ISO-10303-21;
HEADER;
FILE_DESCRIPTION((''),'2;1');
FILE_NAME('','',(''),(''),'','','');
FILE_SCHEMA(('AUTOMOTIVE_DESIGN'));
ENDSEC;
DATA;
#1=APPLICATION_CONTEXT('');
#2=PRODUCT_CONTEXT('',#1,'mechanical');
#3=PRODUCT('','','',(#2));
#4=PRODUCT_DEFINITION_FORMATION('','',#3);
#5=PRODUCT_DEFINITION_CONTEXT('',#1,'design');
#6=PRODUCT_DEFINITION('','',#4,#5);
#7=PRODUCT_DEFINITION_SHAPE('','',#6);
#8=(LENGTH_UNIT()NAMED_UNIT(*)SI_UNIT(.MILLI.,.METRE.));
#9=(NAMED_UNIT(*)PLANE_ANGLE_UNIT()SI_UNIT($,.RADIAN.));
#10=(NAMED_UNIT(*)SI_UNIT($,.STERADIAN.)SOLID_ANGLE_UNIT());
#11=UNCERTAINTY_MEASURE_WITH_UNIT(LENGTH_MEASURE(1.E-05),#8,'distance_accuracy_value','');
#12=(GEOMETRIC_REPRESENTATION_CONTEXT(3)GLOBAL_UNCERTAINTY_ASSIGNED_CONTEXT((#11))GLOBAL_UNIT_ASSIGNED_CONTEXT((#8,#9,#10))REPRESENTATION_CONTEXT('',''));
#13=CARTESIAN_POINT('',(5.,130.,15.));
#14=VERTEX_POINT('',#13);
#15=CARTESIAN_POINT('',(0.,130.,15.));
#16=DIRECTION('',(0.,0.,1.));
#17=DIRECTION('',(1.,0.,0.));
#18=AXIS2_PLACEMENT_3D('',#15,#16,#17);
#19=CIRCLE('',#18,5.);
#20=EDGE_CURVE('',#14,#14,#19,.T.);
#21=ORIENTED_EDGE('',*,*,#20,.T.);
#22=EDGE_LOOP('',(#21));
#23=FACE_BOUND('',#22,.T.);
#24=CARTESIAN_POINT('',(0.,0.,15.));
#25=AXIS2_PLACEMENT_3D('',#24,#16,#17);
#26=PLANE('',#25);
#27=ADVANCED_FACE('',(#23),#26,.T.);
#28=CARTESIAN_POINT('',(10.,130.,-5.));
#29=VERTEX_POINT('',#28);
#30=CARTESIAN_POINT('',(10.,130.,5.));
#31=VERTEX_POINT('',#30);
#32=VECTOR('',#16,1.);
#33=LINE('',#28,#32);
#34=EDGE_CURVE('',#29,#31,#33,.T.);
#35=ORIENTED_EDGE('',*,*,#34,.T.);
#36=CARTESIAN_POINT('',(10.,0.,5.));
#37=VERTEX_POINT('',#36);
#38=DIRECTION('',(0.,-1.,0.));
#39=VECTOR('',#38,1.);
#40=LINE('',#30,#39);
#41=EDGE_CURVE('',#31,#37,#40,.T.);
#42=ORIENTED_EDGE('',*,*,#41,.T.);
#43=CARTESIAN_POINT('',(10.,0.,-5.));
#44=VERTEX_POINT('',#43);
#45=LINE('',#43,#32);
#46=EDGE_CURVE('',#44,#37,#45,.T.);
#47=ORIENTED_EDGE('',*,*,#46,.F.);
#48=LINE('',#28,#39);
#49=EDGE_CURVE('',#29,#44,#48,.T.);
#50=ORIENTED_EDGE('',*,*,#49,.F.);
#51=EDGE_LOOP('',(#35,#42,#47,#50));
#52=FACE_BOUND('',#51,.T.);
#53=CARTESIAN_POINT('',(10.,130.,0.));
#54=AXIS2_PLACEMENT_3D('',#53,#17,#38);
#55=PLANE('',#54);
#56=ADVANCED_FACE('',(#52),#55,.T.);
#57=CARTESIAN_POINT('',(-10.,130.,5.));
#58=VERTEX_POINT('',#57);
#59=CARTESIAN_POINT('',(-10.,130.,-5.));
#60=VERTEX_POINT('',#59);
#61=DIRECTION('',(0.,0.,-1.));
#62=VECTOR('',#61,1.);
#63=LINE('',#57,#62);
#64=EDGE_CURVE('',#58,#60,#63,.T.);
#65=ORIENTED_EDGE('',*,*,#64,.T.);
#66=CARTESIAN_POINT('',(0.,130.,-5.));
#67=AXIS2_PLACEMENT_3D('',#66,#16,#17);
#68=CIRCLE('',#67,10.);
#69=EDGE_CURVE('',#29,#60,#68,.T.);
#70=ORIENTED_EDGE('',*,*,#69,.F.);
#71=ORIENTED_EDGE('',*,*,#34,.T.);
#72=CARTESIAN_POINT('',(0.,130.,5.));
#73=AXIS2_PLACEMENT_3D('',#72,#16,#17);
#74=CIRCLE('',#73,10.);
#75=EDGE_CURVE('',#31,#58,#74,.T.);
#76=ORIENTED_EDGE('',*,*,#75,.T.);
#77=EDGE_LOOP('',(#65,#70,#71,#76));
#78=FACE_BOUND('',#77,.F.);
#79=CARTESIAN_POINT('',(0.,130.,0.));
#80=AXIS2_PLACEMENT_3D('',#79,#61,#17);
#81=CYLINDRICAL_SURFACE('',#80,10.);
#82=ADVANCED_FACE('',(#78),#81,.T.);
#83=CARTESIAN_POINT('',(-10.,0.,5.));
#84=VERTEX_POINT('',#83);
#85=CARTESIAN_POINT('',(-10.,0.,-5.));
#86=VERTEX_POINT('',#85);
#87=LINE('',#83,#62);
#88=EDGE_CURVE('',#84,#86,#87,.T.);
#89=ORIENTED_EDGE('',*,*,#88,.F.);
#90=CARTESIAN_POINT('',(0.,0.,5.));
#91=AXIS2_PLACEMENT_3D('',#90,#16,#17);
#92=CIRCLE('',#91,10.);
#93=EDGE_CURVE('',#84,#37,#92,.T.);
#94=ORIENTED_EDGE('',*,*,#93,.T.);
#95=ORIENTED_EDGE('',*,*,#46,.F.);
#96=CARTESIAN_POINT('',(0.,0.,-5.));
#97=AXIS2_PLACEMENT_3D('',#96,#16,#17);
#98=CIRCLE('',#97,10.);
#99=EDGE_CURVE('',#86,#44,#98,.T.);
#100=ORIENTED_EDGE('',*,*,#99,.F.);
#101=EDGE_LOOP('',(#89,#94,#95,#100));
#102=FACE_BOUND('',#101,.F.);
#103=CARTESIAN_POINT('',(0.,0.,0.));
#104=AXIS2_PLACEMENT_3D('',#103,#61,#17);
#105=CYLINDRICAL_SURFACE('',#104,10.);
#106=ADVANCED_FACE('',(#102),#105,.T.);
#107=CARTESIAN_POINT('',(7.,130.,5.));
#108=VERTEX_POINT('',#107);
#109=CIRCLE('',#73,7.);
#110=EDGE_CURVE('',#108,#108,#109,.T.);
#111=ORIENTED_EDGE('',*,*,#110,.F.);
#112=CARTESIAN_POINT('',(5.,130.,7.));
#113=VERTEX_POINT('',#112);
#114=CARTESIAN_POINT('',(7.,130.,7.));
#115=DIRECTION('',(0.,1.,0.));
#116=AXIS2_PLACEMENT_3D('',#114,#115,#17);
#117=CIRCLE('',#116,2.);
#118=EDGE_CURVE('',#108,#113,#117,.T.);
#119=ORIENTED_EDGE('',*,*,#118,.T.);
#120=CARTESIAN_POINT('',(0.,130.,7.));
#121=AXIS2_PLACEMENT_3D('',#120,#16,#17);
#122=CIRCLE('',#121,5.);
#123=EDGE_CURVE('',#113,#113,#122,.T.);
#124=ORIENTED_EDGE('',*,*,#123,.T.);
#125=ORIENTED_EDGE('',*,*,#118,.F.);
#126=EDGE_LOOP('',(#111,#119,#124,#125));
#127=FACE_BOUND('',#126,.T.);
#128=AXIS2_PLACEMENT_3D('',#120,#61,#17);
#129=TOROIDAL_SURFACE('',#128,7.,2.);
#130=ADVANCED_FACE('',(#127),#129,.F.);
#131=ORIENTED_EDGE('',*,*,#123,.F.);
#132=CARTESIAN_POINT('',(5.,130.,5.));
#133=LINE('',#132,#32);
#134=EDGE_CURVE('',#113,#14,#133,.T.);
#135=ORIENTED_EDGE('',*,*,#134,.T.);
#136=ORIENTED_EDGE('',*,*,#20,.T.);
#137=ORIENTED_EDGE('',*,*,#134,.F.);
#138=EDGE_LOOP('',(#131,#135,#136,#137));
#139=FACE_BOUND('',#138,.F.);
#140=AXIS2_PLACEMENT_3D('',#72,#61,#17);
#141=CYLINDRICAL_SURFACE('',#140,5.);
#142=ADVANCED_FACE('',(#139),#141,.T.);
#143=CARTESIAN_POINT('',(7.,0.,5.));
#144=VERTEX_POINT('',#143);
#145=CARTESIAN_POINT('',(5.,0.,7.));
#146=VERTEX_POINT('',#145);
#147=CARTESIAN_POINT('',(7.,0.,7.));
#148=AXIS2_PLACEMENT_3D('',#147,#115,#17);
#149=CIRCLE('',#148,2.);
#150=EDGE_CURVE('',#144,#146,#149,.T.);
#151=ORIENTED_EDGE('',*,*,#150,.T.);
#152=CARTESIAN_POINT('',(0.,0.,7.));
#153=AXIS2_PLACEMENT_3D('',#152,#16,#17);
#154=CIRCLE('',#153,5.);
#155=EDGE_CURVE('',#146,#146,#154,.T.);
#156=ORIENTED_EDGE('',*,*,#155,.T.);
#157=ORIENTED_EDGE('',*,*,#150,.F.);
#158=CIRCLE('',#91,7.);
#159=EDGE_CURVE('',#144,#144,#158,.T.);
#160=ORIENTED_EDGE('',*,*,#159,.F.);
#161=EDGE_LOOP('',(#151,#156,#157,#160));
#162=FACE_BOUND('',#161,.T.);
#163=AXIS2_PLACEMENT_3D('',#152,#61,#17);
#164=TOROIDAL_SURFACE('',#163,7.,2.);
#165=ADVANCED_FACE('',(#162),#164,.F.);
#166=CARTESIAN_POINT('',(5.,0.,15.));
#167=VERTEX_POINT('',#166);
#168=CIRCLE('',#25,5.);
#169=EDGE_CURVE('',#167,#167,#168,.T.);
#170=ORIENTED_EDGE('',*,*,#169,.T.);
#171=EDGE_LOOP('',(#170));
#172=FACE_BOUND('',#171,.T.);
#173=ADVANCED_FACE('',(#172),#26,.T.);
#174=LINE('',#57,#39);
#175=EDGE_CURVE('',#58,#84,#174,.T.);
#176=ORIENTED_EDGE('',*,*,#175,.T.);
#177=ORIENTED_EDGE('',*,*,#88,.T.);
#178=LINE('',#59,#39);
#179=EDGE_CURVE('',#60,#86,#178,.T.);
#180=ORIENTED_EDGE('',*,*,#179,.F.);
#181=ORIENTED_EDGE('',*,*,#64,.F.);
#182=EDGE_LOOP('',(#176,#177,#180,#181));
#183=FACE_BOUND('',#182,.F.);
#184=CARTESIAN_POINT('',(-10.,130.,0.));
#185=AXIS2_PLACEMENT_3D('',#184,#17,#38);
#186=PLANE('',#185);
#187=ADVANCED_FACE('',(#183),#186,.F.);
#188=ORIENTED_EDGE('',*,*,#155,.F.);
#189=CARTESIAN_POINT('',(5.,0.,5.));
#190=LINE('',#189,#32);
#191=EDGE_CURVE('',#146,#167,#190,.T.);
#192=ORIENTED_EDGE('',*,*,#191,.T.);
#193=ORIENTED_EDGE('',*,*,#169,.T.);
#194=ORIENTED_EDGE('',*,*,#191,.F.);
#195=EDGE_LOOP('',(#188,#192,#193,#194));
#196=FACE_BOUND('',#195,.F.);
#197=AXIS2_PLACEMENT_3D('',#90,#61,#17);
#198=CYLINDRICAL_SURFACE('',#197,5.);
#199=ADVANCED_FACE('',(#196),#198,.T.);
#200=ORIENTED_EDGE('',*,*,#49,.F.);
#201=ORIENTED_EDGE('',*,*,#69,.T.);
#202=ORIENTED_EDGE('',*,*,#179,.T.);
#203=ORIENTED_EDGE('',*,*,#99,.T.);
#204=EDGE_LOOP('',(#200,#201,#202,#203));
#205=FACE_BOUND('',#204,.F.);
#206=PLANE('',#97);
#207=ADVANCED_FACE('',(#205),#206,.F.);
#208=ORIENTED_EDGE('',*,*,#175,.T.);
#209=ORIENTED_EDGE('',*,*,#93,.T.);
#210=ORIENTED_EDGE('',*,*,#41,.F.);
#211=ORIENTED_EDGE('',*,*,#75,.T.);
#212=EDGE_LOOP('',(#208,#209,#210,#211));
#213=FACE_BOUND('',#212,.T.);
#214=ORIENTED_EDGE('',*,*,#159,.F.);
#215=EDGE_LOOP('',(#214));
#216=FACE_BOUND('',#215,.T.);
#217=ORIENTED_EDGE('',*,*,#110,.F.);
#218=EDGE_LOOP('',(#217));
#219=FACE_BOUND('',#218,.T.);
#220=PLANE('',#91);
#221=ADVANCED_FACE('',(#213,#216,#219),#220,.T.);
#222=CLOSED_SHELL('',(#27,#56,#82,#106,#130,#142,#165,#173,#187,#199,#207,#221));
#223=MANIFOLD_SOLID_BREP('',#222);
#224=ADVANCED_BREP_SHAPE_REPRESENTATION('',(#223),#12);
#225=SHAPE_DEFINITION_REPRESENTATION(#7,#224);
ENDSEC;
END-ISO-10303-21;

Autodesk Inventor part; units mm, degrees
ref_plane "YZ Plane" through (0, 0, 0) normal (1, 0, 0) x (0, 1, 0)
ref_plane "XZ Plane" through (0, 0, 0) normal (0, 1, 0) x (-1, 0, 0)
ref_plane "XY Plane" through (0, 0, 0) normal (0, 0, 1) x (1, 0, 0)
sketch "Sketch1" plane through (0, 0, 0) normal (0, 0, 1) x (1, 0, 0)
  circle A0 centre (0, 0) radius 5
  circle A1 centre (0, 130) radius 5
  circle A2 centre (0, 0) radius 10
  circle A3 centre (0, 130) radius 10
  line L0 (-10, 130) -> (-10, 0)
  line L1 (10, 130) -> (10, 0)
  dimension "d0" = 130
  dimension "d1" = 20
  dimension "d2" = 20
  dimension "d3" = 10
  dimension "d4" = 10
extrude "Extrusion1" add sketch "Sketch1" along normal mid plane 10 contours A0 | A1 | A2 | A2 L0 A3 L1 | A3
sketch "Sketch2" plane through (0, 0, 5) normal (0, 0, 1) x (1, 0, 0)
  arc A0 (10, 130) -> (-10, 130) centre (0, 130) ccw construction
  line L0 (-10, 130) -> (-10, 0) construction
  arc A1 (-10, 0) -> (10, 0) centre (0, 0) ccw construction
  line L1 (10, 0) -> (10, 130) construction
  circle A2 centre (0, 130) radius 5
  circle A3 centre (0, 0) radius 5
  dimension "d7" = 10
  dimension "d8" = 10
extrude "Extrusion2" add sketch "Sketch2" along normal blind 10
fillet "Fillet1" radius 2 2 edges at (-5, 130, 5) (-5, 0, 5)
properties part number "Eslabón 3" material "Steel"
